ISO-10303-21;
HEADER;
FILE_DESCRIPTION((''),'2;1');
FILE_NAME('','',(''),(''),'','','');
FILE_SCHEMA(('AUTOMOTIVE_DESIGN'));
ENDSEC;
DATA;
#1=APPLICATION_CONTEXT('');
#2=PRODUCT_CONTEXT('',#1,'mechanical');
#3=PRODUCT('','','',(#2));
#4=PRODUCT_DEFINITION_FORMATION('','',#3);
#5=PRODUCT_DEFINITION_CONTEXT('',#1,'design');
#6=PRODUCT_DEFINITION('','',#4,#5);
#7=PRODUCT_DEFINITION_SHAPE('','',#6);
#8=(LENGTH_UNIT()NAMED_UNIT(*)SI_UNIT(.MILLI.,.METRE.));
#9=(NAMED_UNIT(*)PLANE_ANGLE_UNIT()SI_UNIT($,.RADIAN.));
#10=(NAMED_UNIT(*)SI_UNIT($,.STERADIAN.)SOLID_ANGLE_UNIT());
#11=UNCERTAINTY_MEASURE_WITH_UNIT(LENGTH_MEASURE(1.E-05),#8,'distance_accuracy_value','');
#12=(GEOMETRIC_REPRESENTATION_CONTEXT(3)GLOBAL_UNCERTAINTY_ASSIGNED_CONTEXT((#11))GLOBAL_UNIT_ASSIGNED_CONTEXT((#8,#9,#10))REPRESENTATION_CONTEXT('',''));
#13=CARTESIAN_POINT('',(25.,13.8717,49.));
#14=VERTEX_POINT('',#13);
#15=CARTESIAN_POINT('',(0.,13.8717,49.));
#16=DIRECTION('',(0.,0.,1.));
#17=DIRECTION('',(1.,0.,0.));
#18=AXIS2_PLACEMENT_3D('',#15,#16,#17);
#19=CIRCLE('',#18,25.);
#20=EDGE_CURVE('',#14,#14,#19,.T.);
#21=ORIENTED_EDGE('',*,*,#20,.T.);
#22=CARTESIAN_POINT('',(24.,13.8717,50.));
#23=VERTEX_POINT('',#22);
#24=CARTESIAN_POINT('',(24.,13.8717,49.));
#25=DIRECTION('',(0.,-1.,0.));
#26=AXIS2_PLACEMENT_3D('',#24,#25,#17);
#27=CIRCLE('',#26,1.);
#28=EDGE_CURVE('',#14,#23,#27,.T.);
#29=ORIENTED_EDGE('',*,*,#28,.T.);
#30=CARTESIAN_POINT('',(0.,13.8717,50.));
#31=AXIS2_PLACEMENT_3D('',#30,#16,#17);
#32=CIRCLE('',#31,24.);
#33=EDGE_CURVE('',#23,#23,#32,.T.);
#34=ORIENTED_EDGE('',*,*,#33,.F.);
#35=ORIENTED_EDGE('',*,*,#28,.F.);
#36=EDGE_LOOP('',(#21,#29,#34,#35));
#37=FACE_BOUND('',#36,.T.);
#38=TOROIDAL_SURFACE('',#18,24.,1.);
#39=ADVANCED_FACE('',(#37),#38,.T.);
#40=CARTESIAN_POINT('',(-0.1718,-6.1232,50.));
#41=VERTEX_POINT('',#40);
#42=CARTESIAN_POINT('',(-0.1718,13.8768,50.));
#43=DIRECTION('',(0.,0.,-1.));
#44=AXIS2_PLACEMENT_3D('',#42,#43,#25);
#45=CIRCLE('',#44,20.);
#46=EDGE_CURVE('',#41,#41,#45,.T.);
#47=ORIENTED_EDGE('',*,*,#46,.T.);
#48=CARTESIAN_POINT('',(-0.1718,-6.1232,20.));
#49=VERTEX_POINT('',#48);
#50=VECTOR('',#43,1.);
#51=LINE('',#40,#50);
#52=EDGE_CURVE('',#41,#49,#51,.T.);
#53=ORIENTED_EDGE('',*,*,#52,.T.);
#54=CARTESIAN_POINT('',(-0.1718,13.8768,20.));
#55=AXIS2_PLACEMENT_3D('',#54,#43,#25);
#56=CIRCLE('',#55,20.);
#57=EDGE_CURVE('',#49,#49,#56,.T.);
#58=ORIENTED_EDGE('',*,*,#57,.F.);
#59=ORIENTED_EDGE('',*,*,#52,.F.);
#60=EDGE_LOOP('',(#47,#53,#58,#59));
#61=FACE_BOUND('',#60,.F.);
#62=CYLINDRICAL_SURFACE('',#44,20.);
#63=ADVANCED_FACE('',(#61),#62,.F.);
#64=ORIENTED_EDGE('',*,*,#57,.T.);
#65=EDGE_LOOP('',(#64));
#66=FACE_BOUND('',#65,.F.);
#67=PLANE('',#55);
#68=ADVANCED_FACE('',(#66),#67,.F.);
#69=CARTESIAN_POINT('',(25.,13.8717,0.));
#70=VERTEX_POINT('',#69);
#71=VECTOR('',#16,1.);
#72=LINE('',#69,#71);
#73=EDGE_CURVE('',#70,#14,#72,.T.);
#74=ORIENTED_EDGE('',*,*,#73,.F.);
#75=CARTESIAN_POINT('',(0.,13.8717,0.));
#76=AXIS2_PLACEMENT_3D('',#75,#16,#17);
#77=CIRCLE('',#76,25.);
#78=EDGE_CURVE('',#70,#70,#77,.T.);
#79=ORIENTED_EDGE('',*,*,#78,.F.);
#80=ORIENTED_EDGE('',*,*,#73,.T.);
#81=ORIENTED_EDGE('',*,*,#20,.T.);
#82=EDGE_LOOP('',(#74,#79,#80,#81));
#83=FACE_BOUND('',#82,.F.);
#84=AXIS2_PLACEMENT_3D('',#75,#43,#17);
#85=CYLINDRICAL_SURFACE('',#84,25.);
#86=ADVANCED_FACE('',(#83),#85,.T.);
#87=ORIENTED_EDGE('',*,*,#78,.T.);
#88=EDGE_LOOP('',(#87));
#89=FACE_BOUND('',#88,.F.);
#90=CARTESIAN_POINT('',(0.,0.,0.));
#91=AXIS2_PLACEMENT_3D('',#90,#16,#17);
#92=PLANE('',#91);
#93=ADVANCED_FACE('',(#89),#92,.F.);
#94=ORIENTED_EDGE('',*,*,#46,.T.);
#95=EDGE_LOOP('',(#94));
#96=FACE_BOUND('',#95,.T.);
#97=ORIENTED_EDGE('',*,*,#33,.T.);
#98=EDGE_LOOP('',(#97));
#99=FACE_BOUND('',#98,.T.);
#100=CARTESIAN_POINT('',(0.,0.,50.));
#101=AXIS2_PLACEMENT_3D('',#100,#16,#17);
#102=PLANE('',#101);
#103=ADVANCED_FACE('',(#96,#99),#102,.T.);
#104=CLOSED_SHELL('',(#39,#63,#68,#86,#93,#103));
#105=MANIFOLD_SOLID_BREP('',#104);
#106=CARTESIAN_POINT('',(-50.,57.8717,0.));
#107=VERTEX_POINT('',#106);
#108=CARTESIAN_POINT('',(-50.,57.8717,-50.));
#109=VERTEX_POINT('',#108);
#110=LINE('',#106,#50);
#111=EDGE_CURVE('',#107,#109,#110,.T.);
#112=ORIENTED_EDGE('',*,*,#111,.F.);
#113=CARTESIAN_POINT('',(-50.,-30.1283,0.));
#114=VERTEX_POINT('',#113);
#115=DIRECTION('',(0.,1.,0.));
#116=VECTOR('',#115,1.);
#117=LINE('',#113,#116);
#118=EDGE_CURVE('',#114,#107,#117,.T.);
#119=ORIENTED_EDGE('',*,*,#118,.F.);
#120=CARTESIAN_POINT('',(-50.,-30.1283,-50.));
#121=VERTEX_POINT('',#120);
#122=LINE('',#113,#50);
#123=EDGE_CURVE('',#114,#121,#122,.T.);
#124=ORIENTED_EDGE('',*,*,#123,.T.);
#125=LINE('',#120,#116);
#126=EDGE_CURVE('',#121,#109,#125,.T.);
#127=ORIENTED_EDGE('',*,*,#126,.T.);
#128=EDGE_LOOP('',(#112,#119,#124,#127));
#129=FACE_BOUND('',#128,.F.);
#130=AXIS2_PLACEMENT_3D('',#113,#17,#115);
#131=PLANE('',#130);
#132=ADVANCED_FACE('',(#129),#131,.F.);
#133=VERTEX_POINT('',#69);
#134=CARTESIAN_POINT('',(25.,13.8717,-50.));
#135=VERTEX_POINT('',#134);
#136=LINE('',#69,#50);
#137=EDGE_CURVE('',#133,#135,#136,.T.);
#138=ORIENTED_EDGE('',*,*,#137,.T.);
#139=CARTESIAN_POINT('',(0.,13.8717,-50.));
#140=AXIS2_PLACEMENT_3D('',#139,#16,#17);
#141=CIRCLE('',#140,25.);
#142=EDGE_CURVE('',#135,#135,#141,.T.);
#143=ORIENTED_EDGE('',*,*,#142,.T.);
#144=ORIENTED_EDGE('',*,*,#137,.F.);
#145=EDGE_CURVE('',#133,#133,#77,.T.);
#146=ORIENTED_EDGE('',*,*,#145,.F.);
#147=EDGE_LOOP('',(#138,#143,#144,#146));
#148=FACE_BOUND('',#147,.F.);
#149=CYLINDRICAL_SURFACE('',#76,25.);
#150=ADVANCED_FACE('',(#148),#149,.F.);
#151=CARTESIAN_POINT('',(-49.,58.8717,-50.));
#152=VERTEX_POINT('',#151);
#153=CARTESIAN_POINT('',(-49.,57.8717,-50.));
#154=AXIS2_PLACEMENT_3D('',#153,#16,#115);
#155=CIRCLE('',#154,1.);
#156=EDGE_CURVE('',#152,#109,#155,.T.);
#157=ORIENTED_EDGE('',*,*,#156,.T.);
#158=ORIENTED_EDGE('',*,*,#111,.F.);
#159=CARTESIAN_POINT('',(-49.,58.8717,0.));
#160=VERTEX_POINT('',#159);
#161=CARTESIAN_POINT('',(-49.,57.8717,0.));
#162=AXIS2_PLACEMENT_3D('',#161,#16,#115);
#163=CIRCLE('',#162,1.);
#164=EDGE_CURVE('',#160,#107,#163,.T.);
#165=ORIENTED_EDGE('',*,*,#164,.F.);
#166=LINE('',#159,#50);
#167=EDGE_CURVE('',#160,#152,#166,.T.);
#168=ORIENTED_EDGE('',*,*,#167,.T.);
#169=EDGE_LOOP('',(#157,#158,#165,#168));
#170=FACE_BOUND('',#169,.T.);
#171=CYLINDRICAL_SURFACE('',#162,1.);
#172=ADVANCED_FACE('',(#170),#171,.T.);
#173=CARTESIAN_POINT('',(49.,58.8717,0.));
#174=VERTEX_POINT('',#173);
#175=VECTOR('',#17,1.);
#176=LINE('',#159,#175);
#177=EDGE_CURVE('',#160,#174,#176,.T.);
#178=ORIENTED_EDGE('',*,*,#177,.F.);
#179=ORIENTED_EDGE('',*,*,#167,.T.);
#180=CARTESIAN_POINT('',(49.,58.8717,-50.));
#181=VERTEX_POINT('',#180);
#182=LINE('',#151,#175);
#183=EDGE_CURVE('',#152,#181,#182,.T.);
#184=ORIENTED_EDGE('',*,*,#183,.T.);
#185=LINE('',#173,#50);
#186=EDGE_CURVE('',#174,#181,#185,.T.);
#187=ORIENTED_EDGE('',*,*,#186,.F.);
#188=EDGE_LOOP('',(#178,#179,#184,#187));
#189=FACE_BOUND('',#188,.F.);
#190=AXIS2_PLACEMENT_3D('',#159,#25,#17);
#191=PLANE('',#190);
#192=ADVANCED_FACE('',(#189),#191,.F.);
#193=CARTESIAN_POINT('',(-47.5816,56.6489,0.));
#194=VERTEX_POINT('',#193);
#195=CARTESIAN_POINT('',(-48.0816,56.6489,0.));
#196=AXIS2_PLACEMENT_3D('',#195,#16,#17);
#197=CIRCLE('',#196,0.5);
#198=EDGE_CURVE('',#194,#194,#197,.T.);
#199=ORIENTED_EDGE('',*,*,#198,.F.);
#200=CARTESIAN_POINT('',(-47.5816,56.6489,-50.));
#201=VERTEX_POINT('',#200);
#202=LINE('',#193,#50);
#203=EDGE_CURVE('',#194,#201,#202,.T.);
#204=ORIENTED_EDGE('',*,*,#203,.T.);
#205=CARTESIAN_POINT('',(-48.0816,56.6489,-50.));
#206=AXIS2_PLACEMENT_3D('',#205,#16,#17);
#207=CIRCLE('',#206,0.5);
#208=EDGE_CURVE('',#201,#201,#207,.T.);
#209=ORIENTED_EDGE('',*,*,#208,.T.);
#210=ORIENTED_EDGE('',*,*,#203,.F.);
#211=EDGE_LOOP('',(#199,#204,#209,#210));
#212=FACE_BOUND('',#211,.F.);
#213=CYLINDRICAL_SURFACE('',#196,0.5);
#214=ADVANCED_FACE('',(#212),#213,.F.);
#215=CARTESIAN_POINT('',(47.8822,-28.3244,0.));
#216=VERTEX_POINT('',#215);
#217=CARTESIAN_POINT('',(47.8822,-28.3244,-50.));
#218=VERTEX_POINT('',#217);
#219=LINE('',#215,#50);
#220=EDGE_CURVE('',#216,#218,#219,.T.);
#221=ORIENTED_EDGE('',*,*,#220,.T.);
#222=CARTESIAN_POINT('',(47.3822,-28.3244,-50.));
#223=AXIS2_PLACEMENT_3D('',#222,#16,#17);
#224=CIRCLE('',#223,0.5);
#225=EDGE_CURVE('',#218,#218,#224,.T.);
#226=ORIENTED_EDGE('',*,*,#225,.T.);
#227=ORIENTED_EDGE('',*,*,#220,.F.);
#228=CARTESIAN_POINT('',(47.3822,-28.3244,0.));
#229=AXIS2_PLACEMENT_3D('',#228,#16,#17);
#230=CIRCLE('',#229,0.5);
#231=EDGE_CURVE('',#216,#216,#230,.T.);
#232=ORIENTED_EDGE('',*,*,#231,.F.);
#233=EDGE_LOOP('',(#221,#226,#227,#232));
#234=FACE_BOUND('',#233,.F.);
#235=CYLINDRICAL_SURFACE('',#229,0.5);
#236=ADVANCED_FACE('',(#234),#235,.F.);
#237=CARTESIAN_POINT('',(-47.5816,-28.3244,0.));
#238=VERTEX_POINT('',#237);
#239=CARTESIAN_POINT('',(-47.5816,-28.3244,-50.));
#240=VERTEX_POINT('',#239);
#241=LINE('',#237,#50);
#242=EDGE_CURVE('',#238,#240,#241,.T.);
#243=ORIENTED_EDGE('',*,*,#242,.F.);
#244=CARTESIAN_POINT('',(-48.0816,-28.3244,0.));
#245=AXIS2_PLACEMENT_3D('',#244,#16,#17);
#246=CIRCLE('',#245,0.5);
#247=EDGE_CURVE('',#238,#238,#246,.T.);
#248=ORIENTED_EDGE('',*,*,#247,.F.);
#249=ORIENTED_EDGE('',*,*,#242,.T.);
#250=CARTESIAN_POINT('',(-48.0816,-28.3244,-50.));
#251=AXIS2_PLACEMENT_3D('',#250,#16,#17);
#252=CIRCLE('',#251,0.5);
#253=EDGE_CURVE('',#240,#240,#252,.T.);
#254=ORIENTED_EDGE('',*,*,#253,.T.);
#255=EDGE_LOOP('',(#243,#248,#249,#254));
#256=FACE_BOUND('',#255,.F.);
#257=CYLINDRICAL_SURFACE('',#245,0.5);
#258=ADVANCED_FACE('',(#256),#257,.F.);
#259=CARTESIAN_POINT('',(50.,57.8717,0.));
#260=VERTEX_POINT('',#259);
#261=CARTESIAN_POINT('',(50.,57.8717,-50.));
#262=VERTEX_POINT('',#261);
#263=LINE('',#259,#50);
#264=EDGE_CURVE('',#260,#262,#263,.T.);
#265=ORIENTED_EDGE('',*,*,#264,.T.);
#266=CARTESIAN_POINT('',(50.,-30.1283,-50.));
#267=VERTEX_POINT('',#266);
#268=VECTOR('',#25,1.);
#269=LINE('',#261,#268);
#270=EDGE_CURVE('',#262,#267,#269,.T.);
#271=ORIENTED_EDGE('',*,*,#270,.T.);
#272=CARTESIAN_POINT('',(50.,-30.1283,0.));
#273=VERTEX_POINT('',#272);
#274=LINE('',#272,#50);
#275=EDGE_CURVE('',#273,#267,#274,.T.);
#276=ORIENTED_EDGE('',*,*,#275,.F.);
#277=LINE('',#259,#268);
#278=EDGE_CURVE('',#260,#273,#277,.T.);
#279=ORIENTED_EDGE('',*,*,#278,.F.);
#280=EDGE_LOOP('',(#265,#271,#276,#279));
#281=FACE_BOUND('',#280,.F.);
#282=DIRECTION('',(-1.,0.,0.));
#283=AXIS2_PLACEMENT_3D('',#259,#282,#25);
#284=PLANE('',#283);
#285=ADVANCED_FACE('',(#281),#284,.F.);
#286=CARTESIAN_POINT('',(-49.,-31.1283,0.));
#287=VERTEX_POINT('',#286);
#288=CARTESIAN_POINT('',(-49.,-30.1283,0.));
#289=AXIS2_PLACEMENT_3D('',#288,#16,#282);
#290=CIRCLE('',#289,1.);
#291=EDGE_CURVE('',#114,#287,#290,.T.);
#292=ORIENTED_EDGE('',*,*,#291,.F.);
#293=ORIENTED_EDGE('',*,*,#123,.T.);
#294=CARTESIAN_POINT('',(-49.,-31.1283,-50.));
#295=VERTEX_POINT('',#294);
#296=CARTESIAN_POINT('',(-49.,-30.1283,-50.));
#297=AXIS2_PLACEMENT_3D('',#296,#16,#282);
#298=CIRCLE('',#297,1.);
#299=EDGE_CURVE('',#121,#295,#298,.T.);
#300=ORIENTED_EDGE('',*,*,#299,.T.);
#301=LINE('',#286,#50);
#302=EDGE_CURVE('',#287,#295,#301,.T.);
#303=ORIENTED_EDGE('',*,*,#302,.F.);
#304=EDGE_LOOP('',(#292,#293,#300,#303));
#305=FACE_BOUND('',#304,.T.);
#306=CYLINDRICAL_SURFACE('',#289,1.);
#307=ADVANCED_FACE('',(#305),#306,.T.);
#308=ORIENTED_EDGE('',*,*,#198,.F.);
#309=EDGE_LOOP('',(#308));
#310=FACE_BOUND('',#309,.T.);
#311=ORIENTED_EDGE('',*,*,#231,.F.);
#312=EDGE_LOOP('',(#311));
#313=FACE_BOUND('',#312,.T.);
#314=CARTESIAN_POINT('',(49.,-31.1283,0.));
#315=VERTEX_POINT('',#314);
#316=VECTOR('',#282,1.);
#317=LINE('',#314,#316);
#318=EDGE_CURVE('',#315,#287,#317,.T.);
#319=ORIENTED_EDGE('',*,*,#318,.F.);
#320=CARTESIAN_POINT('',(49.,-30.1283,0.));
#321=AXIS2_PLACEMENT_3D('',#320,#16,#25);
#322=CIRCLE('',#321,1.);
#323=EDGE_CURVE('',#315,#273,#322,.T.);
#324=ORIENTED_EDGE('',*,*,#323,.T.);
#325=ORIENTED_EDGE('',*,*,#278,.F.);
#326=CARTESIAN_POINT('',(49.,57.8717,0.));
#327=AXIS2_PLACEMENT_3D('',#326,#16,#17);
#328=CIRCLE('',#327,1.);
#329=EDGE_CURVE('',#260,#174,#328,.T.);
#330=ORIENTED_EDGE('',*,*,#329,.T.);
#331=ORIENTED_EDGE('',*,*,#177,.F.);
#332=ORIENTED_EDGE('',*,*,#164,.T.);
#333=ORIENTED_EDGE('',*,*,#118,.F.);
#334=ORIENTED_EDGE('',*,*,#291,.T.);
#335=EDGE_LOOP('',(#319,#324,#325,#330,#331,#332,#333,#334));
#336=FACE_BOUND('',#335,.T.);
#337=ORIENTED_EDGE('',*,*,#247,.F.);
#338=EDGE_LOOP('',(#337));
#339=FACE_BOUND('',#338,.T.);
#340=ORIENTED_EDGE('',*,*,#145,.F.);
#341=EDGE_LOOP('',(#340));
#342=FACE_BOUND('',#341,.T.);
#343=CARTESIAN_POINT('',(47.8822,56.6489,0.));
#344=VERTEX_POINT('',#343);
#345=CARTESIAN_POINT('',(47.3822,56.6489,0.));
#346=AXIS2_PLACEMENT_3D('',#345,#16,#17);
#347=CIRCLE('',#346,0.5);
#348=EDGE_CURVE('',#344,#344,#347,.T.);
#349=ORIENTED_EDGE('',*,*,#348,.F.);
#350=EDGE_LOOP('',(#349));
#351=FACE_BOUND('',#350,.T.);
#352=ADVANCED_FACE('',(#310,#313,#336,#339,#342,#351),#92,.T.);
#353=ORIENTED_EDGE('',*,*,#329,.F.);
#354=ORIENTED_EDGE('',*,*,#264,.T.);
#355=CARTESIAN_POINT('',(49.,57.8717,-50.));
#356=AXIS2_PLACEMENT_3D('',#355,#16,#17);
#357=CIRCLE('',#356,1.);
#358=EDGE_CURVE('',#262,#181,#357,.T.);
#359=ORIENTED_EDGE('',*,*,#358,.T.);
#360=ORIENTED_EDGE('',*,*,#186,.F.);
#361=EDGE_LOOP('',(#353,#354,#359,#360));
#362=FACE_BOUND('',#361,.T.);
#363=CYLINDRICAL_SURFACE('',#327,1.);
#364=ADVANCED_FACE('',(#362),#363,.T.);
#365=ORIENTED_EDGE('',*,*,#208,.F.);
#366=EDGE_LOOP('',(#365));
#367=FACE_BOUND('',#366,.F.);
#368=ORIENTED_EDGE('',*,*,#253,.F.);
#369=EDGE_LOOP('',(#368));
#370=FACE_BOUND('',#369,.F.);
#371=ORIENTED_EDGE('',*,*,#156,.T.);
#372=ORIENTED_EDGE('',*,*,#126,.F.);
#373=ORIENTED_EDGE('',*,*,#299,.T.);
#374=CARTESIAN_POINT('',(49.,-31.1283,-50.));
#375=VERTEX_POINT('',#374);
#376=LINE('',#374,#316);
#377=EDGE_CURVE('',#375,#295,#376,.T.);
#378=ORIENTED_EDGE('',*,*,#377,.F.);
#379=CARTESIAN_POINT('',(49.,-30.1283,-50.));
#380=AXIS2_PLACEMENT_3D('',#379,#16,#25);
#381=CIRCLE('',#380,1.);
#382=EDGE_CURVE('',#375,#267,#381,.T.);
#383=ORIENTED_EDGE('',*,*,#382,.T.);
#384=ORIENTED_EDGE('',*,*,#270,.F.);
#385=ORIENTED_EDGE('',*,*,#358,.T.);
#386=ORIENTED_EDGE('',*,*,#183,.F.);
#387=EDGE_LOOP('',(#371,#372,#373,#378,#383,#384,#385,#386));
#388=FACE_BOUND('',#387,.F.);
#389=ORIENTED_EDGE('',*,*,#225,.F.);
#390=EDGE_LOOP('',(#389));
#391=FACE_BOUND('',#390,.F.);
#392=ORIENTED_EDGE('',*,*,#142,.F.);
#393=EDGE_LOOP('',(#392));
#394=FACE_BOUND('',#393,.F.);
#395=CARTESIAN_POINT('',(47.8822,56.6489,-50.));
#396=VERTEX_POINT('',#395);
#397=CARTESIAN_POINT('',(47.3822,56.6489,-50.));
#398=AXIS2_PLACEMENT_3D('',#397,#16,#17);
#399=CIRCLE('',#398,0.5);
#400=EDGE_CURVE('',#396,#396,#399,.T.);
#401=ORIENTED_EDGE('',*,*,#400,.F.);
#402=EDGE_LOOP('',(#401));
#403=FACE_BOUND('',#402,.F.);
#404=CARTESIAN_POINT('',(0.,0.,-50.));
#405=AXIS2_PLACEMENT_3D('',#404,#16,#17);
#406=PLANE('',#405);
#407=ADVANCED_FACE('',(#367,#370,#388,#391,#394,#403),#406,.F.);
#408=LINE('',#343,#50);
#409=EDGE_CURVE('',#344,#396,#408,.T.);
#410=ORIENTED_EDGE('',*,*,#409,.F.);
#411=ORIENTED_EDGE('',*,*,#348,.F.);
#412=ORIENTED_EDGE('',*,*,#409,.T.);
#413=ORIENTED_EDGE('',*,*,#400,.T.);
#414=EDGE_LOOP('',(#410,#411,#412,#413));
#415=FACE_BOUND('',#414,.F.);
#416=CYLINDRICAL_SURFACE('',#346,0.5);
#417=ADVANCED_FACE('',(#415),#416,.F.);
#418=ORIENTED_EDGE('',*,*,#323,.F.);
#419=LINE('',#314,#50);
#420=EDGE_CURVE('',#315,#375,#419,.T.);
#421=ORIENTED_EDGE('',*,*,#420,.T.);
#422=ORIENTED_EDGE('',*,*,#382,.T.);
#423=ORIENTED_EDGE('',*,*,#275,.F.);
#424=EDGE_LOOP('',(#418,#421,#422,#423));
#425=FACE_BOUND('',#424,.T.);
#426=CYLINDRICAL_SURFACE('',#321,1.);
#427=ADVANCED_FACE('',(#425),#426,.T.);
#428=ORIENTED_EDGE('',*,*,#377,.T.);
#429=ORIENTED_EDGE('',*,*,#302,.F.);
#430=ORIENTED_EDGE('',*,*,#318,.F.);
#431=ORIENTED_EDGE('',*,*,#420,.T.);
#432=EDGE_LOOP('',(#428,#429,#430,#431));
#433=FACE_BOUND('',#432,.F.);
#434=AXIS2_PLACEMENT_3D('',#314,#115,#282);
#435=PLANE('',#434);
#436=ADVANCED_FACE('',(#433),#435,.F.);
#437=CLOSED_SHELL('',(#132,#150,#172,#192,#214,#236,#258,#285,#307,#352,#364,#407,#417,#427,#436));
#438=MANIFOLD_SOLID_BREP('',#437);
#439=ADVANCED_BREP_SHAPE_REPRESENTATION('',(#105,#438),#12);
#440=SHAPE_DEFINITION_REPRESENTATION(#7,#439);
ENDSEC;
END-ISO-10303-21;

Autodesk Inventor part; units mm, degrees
ref_plane "YZ Plane" through (0, 0, 0) normal (1, 0, 0) x (0, 1, 0)
ref_plane "XZ Plane" through (0, 0, 0) normal (0, 1, 0) x (-1, 0, 0)
ref_plane "XY Plane" through (0, 0, 0) normal (0, 0, 1) x (1, 0, 0)
sketch "Boceto1" plane through (0, 0, 0) normal (0, 0, 1) x (1, 0, 0)
  line L0 (-49, 58.8717) -> (49, 58.8717)
  line L1 (50, 57.8717) -> (50, -30.1283)
  line L2 (49, -31.1283) -> (-49, -31.1283)
  line L3 (-50, -30.1283) -> (-50, 57.8717)
  line L4 (-50, 58.8717) -> (50, -31.1283) construction
  line L5 (50, 58.8717) -> (-50, -31.1283) construction
  circle A0 centre (0, 13.8717) radius 25
  circle A1 centre (0, 13.8717) radius 223
  circle A2 centre (0, 13.8717) radius 23
  arc A3 (-49, 58.8717) -> (-50, 57.8717) centre (-49, 57.8717) ccw
  arc A4 (50, 57.8717) -> (49, 58.8717) centre (49, 57.8717) ccw
  arc A5 (49, -31.1283) -> (50, -30.1283) centre (49, -30.1283) ccw
  arc A6 (-50, -30.1283) -> (-49, -31.1283) centre (-49, -30.1283) ccw
  point P0 (0, 0)
  dimension "d0" = 100
  dimension "d1" = 90
  dimension "d2" = 50
  dimension "d3" = 446
  dimension "d5" = 1
extrude "Extrusión1" add sketch "Boceto1" against normal blind 50 contours L0 A4 L1 A5 L2 A6 L3 A3
extrude "Extrusión2" add sketch "Boceto1" along normal blind 50 contours A2
extrude "Extrusión3" add sketch "Boceto1" along normal blind 50 contours A0
sketch "Boceto3" plane through (0, 0, 0) normal (0, 0, 1) x (1, 0, 0)
  circle A0 centre (-48.0816, 56.6489) radius 0.5
  circle A1 centre (47.3822, 56.6489) radius 0.5
  circle A2 centre (47.3822, -28.3244) radius 0.5
  circle A3 centre (-48.0816, -28.3244) radius 0.5
  point P0 (0, 0)
extrude "Extrusión4" cut sketch "Boceto3" against normal blind 50 contours A0
extrude "Extrusión5" cut sketch "Boceto3" against normal blind 50 contours A1
extrude "Extrusión6" cut sketch "Boceto3" against normal blind 50 contours A2 | A3
sketch "Boceto4" plane through (0, 13.8717, 50) normal (0, 0, 1) x (1, 0, 0)
  point P0 (0, -13.8717)
  point P1 (-0.1718, 0.0051)
hole "Agujero2" at (-0.1718, 13.8768, 50) direction (0, 0, -1) diameter 40 depth 30
fillet "Empalme1" radius 1 1 edges at (-25, 13.8717, 50)
sketch "Boceto5" plane through (0, 0, 0) normal (0, 0, 1) x (1, 0, 0)
  point P0 (0, 0)
properties part number "Práctica #1_1104119"
